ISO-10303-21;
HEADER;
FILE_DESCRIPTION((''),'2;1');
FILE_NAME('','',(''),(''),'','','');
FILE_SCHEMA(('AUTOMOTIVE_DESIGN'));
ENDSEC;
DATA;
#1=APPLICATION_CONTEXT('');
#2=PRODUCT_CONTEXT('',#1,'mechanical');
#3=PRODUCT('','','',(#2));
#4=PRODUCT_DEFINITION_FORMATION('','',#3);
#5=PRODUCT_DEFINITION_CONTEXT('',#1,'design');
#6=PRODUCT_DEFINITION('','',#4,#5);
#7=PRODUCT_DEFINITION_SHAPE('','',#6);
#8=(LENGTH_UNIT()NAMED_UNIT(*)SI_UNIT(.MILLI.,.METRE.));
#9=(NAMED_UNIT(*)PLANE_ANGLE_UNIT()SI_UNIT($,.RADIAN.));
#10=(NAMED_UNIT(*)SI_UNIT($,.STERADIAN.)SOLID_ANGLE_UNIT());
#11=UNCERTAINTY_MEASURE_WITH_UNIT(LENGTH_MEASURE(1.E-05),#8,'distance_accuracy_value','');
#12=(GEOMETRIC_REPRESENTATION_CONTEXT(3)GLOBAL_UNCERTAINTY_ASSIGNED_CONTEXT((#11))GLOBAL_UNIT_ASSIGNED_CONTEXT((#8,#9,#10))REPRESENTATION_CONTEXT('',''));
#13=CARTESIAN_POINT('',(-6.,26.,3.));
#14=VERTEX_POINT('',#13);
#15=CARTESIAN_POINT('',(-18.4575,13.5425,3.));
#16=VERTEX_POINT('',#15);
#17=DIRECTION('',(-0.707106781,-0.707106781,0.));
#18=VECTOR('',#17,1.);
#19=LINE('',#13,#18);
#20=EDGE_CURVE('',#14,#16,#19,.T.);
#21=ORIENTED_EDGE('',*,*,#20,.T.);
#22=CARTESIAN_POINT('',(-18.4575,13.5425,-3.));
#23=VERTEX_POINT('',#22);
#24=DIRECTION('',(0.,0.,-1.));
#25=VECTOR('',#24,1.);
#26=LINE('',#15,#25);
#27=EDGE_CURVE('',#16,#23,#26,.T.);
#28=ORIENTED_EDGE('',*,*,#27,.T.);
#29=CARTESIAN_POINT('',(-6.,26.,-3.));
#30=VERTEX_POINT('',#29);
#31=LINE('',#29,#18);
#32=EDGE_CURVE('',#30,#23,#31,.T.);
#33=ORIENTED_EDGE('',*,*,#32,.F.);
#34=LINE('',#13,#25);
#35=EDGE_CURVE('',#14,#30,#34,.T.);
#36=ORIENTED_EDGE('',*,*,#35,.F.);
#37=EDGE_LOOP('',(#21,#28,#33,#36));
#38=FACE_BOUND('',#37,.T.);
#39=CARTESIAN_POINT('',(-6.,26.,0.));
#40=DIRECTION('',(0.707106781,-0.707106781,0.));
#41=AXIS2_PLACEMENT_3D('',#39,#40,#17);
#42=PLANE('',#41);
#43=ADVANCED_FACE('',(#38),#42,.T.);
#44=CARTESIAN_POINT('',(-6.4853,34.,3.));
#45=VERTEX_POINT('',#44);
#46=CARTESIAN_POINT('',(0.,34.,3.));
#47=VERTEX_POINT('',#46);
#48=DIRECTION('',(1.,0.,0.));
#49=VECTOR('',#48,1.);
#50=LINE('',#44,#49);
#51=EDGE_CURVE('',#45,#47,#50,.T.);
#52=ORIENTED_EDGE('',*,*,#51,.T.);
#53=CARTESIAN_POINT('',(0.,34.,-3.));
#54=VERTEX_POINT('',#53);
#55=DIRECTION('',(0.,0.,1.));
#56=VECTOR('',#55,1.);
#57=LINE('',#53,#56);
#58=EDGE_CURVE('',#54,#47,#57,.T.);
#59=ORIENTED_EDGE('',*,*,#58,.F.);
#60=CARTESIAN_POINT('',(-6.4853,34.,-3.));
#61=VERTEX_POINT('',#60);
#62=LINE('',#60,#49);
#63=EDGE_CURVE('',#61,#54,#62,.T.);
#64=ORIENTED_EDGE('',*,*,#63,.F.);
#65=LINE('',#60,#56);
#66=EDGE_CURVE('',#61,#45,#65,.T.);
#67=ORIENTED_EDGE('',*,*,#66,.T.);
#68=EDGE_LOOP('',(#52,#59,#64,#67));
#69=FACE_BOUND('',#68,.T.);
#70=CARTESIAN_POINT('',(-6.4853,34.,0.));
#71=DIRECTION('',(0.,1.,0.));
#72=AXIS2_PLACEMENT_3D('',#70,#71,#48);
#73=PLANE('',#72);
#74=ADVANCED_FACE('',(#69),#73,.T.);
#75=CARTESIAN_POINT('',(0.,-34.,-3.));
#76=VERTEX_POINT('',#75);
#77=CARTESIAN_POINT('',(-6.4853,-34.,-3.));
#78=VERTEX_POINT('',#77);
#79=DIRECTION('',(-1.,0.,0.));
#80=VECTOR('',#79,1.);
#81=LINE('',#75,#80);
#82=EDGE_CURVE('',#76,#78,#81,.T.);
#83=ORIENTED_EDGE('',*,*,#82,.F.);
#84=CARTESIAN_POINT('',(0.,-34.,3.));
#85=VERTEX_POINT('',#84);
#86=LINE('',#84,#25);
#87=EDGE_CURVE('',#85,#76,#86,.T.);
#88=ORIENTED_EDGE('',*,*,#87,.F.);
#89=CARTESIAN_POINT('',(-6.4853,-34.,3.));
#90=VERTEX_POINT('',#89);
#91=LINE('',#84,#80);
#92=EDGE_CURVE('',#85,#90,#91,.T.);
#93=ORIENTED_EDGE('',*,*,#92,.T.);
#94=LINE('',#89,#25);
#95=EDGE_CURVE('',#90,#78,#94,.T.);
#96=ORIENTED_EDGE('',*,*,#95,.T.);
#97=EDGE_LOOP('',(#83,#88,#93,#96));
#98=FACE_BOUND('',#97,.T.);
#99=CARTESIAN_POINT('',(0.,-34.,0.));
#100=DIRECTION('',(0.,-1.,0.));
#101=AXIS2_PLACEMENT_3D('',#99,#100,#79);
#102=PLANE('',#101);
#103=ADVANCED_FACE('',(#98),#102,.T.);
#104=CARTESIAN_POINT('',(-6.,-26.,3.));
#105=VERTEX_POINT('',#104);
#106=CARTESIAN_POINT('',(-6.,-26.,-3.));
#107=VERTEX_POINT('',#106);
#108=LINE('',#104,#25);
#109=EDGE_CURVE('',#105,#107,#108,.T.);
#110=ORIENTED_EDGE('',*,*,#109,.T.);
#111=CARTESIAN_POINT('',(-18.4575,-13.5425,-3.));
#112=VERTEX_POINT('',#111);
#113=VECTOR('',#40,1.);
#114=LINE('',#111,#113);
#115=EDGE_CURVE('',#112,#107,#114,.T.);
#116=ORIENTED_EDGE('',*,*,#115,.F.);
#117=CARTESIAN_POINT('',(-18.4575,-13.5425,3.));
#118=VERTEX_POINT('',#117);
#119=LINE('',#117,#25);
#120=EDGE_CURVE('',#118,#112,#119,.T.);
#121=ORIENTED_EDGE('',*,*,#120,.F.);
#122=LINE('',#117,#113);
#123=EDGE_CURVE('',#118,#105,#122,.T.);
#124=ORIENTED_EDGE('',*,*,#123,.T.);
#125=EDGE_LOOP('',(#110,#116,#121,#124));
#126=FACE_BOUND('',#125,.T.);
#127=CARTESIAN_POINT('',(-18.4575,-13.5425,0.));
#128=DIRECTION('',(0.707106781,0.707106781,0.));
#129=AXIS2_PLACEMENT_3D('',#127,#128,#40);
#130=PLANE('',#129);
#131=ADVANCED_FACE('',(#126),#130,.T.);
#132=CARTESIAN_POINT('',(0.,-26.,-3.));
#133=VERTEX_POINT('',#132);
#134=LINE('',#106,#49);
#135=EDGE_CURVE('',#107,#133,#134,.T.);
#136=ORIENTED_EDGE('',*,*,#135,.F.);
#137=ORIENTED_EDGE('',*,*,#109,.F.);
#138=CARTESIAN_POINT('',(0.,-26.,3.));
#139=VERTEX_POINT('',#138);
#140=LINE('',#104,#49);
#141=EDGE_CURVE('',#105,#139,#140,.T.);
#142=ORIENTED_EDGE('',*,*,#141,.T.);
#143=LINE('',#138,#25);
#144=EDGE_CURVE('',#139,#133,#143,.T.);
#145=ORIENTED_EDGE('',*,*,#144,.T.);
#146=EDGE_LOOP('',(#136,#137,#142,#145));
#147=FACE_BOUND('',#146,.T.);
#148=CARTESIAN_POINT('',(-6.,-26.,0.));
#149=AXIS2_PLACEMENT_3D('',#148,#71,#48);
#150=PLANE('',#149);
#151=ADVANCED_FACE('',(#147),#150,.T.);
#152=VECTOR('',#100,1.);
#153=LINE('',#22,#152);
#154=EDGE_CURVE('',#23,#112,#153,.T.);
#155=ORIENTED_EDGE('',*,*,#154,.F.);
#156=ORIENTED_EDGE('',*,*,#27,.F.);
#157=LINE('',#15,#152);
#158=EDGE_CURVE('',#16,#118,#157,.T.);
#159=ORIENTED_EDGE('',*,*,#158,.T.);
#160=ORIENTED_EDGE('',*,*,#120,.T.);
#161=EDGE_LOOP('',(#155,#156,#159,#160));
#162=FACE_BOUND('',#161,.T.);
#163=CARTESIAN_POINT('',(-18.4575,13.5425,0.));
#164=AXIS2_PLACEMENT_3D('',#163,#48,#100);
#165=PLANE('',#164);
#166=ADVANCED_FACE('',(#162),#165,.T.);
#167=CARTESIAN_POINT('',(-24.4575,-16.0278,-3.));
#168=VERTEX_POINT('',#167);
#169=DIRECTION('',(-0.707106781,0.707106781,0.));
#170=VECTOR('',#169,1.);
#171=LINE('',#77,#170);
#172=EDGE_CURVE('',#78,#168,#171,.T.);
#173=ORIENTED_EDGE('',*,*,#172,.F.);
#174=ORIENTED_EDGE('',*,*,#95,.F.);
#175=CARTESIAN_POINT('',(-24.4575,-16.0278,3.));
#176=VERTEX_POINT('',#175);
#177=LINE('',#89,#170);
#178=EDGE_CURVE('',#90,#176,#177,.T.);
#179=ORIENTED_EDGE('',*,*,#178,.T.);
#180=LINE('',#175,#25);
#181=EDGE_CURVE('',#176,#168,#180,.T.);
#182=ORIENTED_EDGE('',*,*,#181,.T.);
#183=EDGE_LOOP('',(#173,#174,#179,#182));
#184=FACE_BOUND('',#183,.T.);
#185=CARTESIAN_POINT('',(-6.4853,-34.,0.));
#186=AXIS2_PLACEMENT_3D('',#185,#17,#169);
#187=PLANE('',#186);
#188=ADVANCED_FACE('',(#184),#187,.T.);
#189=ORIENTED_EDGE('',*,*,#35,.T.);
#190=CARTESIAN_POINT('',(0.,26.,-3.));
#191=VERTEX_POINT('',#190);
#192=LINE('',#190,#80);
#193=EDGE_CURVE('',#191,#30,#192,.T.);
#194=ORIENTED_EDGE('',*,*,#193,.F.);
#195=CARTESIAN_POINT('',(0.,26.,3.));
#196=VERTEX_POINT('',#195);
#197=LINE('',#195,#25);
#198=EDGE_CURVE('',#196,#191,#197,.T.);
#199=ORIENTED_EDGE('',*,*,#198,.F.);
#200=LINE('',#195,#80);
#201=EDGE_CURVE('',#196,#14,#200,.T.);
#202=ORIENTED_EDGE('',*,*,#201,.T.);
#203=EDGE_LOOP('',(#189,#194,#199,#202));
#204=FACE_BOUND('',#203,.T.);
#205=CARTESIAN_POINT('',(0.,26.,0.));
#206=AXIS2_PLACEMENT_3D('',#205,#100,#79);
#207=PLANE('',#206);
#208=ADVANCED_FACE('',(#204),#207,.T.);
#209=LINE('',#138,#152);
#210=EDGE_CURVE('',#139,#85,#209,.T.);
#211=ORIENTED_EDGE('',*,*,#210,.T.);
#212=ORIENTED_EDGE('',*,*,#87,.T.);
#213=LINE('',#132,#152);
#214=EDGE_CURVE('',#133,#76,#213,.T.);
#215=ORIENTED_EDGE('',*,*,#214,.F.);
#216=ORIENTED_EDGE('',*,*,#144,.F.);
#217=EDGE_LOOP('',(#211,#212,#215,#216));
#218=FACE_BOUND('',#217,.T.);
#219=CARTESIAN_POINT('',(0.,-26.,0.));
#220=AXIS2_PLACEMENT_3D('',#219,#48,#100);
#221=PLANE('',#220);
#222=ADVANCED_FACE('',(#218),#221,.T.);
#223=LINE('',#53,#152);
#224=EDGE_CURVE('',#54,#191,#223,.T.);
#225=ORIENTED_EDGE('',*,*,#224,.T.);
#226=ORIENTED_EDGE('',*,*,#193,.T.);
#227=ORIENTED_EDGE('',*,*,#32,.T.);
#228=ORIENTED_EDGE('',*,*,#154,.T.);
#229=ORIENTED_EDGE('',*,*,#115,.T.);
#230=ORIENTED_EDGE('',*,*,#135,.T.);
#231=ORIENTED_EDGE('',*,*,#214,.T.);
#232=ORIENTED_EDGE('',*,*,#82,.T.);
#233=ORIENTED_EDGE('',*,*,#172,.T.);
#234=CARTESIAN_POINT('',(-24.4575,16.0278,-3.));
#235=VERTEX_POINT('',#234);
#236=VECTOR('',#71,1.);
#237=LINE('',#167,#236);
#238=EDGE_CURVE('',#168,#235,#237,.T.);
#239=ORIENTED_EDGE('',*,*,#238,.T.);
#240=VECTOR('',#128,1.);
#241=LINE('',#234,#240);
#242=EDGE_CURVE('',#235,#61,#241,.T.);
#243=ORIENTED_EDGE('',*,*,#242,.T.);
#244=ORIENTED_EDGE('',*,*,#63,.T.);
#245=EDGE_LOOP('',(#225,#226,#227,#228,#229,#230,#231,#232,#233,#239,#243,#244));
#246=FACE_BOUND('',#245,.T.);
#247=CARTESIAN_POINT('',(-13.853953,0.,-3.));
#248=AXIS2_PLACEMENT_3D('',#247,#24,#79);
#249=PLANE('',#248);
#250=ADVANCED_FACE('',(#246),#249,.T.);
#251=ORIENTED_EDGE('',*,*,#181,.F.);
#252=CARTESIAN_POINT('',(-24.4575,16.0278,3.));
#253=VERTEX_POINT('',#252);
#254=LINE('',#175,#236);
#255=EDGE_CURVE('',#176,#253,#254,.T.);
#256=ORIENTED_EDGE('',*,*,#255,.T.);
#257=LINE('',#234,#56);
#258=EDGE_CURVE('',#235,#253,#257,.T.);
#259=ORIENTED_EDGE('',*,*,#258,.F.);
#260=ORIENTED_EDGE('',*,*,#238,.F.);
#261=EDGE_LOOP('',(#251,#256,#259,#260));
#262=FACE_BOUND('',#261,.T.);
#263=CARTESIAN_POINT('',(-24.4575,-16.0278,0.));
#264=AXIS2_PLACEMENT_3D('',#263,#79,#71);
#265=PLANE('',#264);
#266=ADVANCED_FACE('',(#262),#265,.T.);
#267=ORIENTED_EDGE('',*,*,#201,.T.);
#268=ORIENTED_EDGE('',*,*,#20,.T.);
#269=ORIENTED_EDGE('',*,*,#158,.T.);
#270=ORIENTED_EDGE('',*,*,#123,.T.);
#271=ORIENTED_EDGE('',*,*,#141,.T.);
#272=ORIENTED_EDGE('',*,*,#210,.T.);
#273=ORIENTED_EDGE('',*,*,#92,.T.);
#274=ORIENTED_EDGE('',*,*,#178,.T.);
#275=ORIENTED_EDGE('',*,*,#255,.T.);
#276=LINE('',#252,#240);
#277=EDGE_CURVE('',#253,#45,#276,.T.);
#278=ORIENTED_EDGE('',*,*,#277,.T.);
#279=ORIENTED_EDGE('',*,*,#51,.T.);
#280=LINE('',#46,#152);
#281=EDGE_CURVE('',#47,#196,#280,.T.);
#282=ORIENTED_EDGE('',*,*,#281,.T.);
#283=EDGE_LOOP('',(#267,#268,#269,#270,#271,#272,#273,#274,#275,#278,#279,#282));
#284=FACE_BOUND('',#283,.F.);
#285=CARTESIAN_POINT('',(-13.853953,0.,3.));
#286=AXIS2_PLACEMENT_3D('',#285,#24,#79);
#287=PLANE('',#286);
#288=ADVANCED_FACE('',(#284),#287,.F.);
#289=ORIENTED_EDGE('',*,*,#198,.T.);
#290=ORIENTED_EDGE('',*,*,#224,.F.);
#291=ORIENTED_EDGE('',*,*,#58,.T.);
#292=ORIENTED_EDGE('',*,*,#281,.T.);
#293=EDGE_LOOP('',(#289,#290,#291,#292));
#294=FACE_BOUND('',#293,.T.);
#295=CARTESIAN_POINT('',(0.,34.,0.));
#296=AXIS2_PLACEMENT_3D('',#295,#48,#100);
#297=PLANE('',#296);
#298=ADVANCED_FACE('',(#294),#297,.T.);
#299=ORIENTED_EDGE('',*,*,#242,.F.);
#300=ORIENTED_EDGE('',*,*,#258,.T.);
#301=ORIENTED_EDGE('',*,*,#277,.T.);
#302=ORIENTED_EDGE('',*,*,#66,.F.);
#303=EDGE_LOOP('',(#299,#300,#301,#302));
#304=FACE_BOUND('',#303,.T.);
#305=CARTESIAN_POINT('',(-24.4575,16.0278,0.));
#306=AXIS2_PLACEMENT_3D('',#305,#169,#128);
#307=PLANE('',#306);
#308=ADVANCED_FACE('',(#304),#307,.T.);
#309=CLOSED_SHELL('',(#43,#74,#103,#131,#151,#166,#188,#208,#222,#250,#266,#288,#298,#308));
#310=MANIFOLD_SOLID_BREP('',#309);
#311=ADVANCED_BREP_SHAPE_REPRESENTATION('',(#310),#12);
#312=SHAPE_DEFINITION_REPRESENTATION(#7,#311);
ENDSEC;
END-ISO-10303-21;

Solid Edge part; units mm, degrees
sketch "Sketch1" plane through (0, 0, 0) normal (0, 0, 1) x (1, 0, 0)
  line L0 (0, 34) -> (0, 26)
  line L1 (0, 26) -> (-6, 26)
  line L2 (-6, 26) -> (-18.4575, 13.5425)
  line L3 (-18.4575, 13.5425) -> (-18.4575, -13.5425)
  line L4 (-18.4575, -13.5425) -> (-6, -26)
  line L5 (-6, -26) -> (0, -26)
  line L6 (0, -26) -> (0, -34)
  line L7 (0, -34) -> (-6.4853, -34)
  line L8 (-6.4853, -34) -> (-24.4575, -16.0278)
  line L9 (-24.4575, -16.0278) -> (-24.4575, 16.0278)
  line L10 (-24.4575, 16.0278) -> (-6.4853, 34)
  line L11 (-6.4853, 34) -> (0, 34)
  dimension "D1" = 6
  dimension "D2" = 52
  dimension "D3" = 6
  dimension "D4" = 8
  dimension "D5" = 6
extrude "Protrusion1" add sketch "Sketch1" along normal mid plane 6
properties material "Polyethylene, low density"
